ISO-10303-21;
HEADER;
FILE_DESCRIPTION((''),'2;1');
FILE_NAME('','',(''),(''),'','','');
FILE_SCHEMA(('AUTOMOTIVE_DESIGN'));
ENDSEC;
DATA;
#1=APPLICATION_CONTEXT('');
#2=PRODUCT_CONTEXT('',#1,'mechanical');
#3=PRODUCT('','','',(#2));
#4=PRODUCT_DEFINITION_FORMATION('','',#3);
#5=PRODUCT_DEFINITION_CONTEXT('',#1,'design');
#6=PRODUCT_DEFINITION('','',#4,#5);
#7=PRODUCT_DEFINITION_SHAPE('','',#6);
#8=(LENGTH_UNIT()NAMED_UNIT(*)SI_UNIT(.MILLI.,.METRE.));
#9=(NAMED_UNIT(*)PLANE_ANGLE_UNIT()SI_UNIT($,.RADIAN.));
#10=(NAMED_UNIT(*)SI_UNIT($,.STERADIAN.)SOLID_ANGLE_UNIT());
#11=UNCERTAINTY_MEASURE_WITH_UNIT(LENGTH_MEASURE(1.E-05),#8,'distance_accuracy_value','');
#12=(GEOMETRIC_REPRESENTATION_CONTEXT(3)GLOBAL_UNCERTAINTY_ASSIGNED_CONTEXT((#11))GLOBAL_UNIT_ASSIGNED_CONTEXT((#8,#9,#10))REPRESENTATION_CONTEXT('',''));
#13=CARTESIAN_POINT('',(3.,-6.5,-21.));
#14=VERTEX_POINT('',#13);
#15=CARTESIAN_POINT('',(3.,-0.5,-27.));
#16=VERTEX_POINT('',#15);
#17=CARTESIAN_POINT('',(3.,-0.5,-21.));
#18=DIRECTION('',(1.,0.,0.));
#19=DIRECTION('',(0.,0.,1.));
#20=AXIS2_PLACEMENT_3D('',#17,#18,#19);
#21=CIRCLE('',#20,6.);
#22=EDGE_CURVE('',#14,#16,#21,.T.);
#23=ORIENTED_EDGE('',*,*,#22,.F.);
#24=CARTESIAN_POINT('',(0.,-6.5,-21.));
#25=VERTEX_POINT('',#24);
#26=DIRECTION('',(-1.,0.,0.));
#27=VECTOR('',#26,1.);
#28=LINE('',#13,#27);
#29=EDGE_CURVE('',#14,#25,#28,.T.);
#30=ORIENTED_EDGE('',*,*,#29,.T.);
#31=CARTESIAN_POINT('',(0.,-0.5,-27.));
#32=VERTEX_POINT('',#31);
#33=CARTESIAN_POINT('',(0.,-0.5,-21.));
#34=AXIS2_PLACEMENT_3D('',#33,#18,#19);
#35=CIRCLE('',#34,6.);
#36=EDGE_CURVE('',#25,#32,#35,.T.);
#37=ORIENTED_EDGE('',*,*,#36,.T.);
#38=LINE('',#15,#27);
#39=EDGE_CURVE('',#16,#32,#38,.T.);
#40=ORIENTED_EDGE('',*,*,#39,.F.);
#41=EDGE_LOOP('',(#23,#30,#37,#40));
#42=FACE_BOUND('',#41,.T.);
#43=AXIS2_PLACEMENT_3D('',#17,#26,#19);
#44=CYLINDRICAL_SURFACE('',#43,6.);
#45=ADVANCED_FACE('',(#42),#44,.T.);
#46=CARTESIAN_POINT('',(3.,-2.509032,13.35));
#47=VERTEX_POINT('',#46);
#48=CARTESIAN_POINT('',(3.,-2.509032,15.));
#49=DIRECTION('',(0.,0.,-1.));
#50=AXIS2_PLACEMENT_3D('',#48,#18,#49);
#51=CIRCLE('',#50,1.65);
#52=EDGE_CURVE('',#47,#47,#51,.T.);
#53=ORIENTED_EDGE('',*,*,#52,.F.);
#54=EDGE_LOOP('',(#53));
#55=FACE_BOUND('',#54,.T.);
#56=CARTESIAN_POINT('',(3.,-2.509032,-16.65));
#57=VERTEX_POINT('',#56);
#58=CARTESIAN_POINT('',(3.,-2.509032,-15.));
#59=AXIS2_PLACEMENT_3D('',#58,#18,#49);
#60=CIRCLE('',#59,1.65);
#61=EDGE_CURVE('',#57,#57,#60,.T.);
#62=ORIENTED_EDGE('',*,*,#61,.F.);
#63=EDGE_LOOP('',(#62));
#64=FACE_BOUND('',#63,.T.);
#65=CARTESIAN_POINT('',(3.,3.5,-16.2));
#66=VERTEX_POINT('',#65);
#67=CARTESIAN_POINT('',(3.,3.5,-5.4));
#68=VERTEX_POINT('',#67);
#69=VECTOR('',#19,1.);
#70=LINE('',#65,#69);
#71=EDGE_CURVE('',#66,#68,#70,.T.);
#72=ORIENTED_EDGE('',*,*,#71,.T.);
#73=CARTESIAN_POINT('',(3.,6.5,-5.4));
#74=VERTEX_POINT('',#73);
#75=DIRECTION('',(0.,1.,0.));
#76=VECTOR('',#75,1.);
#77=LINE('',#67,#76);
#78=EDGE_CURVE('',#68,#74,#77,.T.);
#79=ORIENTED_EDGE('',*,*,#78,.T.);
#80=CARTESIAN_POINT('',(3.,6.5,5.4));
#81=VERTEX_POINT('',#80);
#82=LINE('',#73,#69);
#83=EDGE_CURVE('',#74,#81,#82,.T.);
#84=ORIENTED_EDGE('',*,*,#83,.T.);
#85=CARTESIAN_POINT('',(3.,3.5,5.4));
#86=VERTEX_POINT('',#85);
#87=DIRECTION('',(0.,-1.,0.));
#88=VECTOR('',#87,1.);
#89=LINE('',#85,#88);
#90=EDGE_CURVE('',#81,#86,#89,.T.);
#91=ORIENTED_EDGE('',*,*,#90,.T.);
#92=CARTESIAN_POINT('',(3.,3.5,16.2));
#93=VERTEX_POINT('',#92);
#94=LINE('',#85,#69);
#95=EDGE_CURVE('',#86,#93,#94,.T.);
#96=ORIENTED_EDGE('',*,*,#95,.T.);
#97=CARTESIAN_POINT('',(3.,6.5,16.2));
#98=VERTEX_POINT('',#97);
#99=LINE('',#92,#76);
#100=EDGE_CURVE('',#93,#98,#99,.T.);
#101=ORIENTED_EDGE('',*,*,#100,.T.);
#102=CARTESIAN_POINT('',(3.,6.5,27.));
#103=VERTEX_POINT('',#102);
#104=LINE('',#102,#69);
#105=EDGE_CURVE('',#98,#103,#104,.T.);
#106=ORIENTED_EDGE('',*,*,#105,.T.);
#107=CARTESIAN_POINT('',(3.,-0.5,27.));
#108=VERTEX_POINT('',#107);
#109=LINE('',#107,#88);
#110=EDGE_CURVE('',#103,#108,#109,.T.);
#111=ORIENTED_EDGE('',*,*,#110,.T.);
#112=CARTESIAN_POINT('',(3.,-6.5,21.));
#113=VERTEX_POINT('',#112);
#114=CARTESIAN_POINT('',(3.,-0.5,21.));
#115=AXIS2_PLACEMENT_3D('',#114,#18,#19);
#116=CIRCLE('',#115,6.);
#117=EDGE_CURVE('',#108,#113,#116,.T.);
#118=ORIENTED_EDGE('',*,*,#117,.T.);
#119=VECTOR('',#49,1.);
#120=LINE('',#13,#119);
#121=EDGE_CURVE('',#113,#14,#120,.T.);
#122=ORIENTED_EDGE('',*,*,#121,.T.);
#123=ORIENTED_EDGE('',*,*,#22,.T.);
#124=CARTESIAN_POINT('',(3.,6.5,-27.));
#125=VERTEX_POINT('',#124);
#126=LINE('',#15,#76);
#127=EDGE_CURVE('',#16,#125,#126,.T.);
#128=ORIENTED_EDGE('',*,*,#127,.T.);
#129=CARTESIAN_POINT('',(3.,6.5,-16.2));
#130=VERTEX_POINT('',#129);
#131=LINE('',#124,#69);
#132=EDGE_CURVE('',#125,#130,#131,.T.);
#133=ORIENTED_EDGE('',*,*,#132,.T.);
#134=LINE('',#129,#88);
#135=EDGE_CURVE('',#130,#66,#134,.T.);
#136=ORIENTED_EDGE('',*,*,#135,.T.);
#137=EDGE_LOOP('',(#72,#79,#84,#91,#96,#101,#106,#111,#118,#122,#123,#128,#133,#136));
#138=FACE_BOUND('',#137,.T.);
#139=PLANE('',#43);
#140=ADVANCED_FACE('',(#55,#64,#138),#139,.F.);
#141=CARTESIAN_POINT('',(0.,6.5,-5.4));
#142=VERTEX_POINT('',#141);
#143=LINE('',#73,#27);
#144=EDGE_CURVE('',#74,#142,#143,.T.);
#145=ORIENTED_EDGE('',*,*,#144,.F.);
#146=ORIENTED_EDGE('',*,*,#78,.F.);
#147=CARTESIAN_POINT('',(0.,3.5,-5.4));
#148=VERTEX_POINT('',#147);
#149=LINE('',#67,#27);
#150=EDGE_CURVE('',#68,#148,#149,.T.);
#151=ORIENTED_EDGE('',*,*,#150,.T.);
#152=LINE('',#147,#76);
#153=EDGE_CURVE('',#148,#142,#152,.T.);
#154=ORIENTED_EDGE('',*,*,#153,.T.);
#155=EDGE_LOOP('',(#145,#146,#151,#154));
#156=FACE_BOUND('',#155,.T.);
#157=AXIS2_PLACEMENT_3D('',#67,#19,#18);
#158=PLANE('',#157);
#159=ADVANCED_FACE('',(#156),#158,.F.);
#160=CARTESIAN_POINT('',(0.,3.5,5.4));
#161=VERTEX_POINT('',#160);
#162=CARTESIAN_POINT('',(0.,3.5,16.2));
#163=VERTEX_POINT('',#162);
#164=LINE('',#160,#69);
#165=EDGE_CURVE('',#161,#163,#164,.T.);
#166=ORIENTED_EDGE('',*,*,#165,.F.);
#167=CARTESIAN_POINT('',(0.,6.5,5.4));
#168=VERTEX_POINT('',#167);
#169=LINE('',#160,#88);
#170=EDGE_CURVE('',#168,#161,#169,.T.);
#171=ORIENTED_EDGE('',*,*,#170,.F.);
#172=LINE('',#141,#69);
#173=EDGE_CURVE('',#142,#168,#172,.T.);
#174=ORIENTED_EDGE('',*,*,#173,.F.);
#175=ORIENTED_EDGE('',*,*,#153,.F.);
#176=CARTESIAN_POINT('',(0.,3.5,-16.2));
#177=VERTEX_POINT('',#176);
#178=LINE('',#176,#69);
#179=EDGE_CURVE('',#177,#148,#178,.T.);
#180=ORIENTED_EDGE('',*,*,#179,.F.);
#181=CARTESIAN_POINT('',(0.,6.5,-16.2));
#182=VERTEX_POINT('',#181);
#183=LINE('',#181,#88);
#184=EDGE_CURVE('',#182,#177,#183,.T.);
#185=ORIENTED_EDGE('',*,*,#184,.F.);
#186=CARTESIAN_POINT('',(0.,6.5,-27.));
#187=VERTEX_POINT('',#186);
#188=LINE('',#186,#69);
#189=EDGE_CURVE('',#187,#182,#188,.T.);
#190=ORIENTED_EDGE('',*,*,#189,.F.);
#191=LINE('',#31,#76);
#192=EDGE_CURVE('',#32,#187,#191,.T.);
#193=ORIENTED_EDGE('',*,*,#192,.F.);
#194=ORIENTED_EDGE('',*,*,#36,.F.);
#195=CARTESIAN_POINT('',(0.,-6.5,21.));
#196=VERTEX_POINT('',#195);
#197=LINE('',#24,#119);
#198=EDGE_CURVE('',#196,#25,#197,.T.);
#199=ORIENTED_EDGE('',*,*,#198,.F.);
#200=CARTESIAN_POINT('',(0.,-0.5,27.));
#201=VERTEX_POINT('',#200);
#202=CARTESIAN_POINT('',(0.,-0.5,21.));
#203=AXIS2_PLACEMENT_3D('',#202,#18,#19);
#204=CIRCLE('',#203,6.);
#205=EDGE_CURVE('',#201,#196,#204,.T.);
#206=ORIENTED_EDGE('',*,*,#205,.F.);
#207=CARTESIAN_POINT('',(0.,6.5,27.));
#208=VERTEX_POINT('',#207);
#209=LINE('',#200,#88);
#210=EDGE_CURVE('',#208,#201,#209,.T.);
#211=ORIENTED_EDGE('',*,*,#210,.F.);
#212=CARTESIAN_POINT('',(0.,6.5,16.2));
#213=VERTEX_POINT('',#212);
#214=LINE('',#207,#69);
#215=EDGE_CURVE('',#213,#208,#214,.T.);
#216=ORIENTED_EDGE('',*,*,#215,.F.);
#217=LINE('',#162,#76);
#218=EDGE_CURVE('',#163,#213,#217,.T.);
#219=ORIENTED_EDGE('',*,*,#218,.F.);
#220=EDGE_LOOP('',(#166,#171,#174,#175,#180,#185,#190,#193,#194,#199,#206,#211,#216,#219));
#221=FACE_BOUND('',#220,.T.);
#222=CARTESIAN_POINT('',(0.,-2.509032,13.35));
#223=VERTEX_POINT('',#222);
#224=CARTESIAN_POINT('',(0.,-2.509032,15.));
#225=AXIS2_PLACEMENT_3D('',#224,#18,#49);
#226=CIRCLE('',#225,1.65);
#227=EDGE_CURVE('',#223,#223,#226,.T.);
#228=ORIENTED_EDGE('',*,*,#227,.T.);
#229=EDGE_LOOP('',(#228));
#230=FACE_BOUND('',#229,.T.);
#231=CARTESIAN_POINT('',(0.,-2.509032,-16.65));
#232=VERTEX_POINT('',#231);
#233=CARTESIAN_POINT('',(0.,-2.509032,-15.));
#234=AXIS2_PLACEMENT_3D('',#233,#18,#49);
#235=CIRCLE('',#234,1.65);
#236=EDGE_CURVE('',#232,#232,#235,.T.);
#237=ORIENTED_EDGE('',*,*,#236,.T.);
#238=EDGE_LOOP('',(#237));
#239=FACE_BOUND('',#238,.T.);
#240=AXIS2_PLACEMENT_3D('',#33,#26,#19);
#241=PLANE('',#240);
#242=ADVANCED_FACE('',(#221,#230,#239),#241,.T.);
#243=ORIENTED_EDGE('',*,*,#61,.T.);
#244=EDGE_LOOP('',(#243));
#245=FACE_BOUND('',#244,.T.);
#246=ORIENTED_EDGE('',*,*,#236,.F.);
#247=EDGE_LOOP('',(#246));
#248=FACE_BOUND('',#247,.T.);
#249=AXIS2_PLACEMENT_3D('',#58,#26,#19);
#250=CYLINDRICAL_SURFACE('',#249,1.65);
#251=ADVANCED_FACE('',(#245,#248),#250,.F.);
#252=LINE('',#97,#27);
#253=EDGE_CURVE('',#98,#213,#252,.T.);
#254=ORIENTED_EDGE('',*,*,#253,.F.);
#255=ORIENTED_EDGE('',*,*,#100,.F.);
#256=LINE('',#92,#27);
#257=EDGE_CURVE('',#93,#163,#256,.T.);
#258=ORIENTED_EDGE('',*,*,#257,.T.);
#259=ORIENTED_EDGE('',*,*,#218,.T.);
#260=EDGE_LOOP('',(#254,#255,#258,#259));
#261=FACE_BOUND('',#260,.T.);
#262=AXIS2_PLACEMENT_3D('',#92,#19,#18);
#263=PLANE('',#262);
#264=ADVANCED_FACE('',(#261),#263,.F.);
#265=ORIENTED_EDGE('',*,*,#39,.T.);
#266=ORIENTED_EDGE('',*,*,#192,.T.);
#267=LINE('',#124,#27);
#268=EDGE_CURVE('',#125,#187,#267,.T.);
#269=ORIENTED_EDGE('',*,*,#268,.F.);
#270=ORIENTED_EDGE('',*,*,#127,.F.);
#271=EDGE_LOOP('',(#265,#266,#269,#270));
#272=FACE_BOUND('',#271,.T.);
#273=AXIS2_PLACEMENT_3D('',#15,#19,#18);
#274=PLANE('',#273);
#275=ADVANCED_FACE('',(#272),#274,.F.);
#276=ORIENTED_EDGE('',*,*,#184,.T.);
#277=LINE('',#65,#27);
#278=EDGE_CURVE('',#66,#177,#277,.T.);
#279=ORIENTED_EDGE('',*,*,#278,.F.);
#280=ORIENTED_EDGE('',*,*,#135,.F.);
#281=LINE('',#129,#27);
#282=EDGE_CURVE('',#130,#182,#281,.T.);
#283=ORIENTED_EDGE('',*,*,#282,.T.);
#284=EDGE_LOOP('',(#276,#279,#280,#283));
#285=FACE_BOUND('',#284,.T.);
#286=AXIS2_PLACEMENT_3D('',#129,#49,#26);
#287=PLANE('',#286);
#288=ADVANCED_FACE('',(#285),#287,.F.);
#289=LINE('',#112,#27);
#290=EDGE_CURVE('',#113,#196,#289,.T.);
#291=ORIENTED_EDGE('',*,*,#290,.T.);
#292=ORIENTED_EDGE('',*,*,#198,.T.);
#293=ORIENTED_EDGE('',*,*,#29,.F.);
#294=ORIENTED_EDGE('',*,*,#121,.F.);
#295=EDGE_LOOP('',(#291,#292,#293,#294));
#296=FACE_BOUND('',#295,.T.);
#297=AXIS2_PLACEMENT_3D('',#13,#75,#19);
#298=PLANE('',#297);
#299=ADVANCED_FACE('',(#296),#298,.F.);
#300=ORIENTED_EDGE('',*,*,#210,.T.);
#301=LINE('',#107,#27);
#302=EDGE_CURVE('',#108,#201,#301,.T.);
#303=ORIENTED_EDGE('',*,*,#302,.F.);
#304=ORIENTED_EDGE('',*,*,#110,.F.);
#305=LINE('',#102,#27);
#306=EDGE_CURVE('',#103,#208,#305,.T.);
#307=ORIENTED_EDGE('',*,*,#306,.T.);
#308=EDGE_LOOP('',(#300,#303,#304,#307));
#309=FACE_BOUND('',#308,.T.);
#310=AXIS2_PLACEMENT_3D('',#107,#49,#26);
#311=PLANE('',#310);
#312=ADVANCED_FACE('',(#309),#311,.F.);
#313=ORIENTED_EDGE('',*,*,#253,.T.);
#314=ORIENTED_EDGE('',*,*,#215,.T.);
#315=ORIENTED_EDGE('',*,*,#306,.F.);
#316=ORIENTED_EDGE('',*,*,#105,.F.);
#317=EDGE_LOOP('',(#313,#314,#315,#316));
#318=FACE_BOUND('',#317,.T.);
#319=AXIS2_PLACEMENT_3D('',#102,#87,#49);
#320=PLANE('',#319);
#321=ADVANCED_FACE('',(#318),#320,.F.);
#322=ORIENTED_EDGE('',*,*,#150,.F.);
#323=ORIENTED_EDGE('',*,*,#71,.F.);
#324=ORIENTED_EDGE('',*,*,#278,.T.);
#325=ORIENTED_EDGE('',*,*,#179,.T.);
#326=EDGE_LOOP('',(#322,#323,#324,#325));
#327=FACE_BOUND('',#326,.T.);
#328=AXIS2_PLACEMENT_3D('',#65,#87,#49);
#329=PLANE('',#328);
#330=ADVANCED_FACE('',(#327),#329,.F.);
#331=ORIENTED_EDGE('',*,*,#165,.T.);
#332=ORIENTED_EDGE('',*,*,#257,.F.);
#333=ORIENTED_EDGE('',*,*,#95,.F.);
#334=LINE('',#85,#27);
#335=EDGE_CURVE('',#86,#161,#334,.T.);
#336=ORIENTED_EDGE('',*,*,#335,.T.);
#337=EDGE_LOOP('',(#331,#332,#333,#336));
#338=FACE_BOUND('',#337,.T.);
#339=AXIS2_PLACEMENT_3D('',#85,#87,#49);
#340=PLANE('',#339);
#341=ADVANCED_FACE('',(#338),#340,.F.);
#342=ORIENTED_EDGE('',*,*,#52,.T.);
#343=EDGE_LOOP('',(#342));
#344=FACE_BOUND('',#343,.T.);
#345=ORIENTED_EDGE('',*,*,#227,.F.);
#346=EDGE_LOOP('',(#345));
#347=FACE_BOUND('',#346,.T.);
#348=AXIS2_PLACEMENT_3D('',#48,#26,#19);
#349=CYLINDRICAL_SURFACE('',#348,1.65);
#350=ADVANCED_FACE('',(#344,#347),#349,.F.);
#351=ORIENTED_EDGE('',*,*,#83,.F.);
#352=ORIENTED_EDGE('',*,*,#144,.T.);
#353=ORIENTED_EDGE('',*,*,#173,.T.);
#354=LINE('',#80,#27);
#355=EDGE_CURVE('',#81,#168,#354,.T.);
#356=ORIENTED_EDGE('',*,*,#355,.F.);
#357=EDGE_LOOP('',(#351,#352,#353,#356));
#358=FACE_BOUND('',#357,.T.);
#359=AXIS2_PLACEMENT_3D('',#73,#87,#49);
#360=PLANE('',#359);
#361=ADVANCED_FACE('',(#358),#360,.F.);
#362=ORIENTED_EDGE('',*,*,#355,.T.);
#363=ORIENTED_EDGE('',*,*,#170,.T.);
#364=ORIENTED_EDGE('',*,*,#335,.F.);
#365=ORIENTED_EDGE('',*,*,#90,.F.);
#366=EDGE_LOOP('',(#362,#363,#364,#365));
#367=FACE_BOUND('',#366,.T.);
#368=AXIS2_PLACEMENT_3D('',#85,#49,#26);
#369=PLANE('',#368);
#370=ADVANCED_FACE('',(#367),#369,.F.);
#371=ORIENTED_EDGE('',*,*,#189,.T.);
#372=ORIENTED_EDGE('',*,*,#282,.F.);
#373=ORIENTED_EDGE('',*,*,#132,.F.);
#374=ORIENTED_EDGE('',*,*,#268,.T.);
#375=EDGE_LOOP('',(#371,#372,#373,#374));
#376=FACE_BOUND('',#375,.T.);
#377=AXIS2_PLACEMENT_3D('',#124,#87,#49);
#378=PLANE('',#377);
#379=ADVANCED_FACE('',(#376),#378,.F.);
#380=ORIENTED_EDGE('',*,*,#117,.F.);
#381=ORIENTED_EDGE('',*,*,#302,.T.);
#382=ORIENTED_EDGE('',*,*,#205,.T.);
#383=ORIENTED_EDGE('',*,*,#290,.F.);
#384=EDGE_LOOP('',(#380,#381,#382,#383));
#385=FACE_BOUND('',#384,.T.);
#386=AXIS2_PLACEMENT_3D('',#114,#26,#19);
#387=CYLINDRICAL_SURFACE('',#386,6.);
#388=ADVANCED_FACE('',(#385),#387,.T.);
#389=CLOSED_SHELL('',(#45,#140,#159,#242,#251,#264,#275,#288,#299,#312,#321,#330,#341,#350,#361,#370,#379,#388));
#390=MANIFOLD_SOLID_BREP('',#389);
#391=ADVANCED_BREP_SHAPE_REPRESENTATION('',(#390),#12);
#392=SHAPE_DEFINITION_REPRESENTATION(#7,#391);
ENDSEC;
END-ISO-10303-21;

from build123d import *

# Parameters (mm, degrees)
SKETCH1_R           = 1.65
BOSS_EXTRUDE1_DEPTH = 3


with BuildPart() as part:
    # Sketch1 → Boss-Extrude1 (new body)
    with BuildSketch(Plane(origin=(0, 0, 0), x_dir=(0, 0, -1), z_dir=(1, 0, 0))):
        with BuildLine():
            Line((21, -6.5), (-21, -6.5))
            ThreePointArc((-21, -6.5), (-25.242640687, -4.742640687), (-27, -0.5))
            Line((-27, -0.5), (-27, 6.5))
            Line((-27, 6.5), (-16.2, 6.5))
            Line((-16.2, 6.5), (-16.2, 3.5))
            Line((-16.2, 3.5), (-5.4, 3.5))
            Line((-5.4, 3.5), (-5.4, 6.5))
            Line((-5.4, 6.5), (5.4, 6.5))
            Line((5.4, 6.5), (5.4, 3.5))
            Line((5.4, 3.5), (16.2, 3.5))
            Line((16.2, 3.5), (16.2, 6.5))
            Line((16.2, 6.5), (27, 6.5))
            Line((27, 6.5), (27, -0.5))
            ThreePointArc((27, -0.5), (25.242640687, -4.742640687), (21, -6.5))
        make_face()
        with Locations((-15, -2.509032308)):
            Circle(SKETCH1_R, mode=Mode.SUBTRACT)
        with Locations((15, -2.509032308)):
            Circle(SKETCH1_R, mode=Mode.SUBTRACT)
    extrude(amount=BOSS_EXTRUDE1_DEPTH)


solid = part.part
